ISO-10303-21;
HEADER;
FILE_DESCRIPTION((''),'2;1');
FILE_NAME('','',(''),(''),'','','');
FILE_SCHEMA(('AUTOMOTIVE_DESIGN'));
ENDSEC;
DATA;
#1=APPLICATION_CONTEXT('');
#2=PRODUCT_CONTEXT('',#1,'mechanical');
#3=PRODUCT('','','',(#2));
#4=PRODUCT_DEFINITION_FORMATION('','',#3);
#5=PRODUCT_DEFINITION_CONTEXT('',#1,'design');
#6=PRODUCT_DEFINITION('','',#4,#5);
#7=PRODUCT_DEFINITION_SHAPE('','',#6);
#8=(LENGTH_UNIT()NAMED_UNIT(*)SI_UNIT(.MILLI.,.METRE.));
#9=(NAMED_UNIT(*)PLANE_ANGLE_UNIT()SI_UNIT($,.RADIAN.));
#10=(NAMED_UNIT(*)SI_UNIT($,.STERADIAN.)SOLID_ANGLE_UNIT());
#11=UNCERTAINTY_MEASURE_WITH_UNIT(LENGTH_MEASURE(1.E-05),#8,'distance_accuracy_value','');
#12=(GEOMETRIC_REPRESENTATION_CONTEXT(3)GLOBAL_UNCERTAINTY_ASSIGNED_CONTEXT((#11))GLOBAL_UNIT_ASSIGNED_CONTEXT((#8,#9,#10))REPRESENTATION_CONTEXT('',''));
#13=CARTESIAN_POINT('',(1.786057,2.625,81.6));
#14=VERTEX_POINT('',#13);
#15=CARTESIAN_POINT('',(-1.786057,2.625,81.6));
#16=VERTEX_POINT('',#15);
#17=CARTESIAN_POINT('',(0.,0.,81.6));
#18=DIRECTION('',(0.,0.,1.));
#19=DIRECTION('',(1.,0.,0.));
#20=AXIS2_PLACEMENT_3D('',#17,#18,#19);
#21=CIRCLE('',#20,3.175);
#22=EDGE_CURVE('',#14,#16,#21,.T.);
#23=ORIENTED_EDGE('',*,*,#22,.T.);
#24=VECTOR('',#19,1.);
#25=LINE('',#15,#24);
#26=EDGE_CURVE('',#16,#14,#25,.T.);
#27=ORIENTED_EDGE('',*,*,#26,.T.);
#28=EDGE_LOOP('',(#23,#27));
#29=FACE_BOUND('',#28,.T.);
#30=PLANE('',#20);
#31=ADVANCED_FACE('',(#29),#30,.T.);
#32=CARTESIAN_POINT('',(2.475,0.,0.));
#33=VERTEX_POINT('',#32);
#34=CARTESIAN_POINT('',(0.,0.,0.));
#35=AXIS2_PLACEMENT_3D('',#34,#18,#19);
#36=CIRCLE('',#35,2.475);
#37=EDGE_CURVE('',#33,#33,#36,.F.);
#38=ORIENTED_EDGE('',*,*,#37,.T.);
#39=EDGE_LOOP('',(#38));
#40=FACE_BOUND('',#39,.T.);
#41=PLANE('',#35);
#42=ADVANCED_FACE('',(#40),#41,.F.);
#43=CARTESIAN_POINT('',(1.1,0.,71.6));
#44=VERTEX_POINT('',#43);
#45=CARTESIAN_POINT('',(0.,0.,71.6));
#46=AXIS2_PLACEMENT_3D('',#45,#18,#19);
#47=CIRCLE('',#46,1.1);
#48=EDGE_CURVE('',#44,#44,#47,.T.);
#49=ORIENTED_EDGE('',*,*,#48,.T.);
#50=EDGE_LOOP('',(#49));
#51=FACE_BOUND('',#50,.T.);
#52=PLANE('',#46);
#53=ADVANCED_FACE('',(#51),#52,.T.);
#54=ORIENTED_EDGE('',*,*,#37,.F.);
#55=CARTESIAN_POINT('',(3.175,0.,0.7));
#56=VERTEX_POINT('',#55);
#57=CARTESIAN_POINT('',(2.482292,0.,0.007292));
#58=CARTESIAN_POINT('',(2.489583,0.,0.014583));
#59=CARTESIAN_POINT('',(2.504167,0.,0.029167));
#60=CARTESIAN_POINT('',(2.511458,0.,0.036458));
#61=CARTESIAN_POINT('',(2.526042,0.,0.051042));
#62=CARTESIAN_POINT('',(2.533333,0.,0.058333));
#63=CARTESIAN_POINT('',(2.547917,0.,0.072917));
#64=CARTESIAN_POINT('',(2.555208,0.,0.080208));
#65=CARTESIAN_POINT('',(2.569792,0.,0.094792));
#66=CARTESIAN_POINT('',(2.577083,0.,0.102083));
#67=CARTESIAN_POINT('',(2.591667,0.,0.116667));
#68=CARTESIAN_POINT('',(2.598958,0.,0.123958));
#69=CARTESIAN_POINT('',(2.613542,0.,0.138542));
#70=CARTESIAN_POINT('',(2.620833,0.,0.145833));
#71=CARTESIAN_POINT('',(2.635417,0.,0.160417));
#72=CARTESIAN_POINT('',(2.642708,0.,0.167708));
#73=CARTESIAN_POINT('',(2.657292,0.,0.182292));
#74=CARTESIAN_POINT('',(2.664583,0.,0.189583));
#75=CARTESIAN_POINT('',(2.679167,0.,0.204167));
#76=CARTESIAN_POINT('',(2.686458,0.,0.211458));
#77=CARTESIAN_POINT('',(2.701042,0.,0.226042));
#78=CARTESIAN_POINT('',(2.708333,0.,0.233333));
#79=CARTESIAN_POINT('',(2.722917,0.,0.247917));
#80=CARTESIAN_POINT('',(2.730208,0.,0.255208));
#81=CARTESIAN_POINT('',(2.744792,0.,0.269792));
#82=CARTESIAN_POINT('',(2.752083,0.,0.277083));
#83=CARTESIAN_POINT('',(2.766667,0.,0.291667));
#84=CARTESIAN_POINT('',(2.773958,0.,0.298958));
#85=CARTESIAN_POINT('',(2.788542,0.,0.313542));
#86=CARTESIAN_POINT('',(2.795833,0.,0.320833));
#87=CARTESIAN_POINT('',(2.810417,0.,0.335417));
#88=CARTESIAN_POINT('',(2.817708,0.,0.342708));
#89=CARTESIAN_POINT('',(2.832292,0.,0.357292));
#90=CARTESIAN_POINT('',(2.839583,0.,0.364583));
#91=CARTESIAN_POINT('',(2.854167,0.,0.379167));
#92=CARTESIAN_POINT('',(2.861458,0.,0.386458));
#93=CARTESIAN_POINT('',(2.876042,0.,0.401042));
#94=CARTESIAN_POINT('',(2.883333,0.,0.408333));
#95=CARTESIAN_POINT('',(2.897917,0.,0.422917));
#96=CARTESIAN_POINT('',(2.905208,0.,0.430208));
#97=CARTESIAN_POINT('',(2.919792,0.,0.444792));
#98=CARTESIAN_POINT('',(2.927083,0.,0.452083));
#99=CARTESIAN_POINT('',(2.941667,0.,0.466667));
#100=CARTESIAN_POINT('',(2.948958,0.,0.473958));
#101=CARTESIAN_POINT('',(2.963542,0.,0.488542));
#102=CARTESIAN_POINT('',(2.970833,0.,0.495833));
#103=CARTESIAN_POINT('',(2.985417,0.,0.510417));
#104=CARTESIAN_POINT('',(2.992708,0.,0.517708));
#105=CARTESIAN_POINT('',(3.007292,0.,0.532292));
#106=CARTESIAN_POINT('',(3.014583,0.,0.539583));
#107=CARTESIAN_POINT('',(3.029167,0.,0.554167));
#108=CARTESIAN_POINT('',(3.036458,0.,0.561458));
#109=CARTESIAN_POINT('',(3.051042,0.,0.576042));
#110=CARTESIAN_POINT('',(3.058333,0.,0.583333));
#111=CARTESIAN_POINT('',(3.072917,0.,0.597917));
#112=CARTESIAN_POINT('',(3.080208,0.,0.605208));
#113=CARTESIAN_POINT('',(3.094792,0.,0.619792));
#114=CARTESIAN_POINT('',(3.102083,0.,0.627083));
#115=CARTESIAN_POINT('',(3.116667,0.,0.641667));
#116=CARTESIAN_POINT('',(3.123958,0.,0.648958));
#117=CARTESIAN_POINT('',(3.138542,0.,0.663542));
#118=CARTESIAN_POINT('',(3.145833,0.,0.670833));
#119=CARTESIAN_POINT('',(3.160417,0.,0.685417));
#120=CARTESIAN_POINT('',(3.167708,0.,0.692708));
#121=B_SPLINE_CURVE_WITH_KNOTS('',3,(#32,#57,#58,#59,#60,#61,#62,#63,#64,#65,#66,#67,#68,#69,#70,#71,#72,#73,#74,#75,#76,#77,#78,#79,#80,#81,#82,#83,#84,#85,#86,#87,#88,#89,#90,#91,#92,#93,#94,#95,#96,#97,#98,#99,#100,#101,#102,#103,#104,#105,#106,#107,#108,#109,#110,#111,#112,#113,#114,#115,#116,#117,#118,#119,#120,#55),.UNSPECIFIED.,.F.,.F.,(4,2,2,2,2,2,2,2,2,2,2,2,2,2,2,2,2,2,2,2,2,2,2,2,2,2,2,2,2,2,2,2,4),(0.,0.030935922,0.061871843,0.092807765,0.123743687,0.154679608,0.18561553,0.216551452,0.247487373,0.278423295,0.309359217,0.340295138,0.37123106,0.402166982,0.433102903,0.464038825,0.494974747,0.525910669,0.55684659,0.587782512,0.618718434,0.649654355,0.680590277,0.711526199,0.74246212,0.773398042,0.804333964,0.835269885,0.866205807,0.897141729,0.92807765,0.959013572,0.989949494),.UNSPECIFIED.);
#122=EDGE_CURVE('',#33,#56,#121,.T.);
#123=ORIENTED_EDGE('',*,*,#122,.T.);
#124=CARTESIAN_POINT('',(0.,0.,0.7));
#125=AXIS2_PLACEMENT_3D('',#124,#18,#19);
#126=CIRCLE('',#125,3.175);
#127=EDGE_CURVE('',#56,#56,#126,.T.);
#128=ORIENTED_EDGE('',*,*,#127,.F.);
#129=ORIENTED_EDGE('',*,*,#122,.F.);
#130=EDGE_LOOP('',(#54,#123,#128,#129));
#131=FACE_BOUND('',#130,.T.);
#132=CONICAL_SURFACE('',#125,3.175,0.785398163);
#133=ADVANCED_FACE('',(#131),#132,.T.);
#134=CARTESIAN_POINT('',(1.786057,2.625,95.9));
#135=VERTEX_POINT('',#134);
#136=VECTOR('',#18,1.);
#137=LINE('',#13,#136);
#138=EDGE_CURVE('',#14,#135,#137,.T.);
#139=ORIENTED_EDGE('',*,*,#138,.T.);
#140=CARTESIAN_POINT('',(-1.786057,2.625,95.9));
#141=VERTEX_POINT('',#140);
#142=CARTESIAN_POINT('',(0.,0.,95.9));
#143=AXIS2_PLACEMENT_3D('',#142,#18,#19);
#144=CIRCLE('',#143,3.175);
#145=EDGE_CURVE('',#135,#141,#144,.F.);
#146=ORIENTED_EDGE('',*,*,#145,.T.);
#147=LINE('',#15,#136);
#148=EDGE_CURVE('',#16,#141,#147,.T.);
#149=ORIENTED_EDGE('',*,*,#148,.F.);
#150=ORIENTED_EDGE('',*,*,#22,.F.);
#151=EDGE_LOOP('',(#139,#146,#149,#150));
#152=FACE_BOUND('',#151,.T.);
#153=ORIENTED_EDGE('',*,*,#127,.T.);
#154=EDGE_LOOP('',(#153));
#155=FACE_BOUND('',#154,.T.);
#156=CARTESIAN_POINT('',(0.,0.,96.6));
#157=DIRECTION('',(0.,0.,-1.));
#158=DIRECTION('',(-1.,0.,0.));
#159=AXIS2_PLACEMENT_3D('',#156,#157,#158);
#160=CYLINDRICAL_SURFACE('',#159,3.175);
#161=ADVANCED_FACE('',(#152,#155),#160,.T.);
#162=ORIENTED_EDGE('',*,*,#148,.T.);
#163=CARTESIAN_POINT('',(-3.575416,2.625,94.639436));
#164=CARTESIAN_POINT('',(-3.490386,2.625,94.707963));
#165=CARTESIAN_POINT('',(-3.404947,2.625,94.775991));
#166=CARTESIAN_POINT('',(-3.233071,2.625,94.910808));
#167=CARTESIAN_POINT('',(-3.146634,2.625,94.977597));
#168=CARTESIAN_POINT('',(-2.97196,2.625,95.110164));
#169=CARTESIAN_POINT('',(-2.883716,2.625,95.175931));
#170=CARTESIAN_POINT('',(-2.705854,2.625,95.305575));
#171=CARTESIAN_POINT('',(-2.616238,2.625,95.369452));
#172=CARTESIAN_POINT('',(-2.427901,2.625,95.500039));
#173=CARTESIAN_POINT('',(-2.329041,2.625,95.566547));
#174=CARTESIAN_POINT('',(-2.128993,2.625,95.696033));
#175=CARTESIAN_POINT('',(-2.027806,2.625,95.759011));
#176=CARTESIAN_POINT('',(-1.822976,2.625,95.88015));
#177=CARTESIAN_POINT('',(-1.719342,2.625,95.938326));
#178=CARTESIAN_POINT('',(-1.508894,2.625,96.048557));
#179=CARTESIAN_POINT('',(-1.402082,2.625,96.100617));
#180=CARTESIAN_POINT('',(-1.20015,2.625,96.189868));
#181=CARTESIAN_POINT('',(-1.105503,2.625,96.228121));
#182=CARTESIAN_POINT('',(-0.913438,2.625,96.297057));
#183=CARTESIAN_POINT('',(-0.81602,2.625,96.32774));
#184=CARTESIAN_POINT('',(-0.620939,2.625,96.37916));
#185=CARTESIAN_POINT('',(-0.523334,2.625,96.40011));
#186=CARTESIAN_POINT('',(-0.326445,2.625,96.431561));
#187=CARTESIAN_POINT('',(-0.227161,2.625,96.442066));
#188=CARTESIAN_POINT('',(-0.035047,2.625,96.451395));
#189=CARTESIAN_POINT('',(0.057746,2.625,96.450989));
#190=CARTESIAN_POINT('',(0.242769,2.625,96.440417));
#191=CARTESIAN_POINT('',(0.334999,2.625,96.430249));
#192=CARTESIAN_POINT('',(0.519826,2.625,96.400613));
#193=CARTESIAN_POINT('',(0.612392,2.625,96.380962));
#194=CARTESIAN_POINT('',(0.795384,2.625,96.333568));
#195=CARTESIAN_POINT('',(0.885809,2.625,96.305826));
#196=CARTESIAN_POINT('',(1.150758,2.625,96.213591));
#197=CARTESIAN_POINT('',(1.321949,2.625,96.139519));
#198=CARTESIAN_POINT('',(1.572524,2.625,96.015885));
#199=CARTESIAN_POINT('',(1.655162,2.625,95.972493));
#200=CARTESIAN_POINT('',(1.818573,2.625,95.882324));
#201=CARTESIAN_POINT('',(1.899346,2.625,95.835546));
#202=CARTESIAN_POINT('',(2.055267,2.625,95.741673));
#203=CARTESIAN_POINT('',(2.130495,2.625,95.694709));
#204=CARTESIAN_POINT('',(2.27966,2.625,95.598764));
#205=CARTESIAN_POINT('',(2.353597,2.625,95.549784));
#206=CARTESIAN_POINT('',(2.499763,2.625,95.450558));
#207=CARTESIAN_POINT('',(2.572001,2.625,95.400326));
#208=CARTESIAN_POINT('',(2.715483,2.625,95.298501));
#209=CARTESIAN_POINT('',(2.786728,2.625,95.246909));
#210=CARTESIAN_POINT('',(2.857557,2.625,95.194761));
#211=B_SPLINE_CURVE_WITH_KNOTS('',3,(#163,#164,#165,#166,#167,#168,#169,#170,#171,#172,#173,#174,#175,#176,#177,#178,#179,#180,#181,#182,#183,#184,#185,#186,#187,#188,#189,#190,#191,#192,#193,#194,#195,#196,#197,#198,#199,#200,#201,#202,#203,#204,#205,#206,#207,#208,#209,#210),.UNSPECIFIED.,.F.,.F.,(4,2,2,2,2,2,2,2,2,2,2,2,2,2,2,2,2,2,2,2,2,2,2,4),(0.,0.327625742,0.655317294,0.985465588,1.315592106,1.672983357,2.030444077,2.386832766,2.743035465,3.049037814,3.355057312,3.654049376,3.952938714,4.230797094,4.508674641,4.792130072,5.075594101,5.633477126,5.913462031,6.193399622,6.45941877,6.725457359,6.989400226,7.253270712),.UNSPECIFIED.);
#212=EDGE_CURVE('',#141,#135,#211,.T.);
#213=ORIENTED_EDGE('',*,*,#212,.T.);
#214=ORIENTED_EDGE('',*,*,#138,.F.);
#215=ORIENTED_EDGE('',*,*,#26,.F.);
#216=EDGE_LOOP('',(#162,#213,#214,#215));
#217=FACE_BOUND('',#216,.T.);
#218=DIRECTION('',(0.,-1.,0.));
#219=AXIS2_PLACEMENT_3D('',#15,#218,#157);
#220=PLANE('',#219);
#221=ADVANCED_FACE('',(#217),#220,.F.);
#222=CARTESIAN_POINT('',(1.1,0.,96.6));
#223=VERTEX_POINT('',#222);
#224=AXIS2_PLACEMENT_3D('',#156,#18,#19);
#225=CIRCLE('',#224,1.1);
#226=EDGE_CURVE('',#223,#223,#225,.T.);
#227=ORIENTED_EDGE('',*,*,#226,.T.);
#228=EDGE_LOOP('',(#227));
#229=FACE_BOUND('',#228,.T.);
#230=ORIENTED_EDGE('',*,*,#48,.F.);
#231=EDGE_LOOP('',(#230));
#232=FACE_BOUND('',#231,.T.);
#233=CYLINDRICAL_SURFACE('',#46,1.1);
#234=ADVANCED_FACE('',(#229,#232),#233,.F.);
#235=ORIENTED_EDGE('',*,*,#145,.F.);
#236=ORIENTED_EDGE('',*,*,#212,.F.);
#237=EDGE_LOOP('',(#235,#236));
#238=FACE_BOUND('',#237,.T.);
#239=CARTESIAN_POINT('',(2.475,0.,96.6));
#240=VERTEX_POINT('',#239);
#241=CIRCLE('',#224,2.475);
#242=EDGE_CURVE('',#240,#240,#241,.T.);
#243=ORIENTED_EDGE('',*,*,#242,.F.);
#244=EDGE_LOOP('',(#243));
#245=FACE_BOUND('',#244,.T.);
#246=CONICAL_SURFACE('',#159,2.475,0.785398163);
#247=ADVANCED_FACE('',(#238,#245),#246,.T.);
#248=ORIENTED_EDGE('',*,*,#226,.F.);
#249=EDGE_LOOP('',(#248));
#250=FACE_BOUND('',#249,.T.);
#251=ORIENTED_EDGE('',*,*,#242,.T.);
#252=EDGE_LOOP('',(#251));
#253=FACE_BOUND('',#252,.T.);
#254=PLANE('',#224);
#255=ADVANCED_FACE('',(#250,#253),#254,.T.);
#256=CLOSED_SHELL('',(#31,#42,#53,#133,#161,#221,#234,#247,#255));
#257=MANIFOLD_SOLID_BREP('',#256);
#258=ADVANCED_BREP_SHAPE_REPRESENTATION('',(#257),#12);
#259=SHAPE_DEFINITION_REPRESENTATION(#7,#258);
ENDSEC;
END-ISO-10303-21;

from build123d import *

# Parameters (mm, degrees)
IZIM1_R                     = 3.175
Y_KSEKLIK_EKSTR_ZYON1_DEPTH = 96.6
IZIM3_R                     = 1.1
KES_EKSTR_ZYON2_DEPTH       = 25
PAH1_SIZE                   = 0.7
PAH2_SIZE                   = 0.7
CORTE_EXTRUS_O1_START       = -15
CORTE_EXTRUS_O1_DEPTH       = 15


with BuildPart() as part:
    # Çizim1 → Yükseklik-Ekstrüzyon1 (new body)
    with BuildSketch(Plane.XY):
        with Locations(Location((0, 0, 0), (0, 0, 180))):
            Circle(IZIM1_R)
    extrude(amount=Y_KSEKLIK_EKSTR_ZYON1_DEPTH)

    # Çizim3 → Kes-Ekstrüzyon2 (cut)
    with BuildSketch(Plane.XY.offset(96.6)):
        Circle(IZIM3_R)
    extrude(amount=-KES_EKSTR_ZYON2_DEPTH, mode=Mode.SUBTRACT)

    # Pah1
    pah1_edges = [part.edges().sort_by_distance(p)[0] for p in [
        (3.175, 0, 96.6),
    ]]
    chamfer(pah1_edges, length=PAH1_SIZE)

    # Pah2
    pah2_edges = [part.edges().sort_by_distance(p)[0] for p in [
        (3.175, 0, 0),
    ]]
    chamfer(pah2_edges, length=PAH2_SIZE)

    # Esboço1 → Corte-extrusão1 (cut)
    with BuildSketch(Plane.XY.offset(96.6).offset(CORTE_EXTRUS_O1_START)):
        with BuildLine():
            Line((-1.78605711, 2.625), (1.78605711, 2.625))
            ThreePointArc((1.78605711, 2.625), (0, 3.175), (-1.78605711, 2.625))
        make_face()
    extrude(amount=CORTE_EXTRUS_O1_DEPTH, mode=Mode.SUBTRACT)


solid = part.part
